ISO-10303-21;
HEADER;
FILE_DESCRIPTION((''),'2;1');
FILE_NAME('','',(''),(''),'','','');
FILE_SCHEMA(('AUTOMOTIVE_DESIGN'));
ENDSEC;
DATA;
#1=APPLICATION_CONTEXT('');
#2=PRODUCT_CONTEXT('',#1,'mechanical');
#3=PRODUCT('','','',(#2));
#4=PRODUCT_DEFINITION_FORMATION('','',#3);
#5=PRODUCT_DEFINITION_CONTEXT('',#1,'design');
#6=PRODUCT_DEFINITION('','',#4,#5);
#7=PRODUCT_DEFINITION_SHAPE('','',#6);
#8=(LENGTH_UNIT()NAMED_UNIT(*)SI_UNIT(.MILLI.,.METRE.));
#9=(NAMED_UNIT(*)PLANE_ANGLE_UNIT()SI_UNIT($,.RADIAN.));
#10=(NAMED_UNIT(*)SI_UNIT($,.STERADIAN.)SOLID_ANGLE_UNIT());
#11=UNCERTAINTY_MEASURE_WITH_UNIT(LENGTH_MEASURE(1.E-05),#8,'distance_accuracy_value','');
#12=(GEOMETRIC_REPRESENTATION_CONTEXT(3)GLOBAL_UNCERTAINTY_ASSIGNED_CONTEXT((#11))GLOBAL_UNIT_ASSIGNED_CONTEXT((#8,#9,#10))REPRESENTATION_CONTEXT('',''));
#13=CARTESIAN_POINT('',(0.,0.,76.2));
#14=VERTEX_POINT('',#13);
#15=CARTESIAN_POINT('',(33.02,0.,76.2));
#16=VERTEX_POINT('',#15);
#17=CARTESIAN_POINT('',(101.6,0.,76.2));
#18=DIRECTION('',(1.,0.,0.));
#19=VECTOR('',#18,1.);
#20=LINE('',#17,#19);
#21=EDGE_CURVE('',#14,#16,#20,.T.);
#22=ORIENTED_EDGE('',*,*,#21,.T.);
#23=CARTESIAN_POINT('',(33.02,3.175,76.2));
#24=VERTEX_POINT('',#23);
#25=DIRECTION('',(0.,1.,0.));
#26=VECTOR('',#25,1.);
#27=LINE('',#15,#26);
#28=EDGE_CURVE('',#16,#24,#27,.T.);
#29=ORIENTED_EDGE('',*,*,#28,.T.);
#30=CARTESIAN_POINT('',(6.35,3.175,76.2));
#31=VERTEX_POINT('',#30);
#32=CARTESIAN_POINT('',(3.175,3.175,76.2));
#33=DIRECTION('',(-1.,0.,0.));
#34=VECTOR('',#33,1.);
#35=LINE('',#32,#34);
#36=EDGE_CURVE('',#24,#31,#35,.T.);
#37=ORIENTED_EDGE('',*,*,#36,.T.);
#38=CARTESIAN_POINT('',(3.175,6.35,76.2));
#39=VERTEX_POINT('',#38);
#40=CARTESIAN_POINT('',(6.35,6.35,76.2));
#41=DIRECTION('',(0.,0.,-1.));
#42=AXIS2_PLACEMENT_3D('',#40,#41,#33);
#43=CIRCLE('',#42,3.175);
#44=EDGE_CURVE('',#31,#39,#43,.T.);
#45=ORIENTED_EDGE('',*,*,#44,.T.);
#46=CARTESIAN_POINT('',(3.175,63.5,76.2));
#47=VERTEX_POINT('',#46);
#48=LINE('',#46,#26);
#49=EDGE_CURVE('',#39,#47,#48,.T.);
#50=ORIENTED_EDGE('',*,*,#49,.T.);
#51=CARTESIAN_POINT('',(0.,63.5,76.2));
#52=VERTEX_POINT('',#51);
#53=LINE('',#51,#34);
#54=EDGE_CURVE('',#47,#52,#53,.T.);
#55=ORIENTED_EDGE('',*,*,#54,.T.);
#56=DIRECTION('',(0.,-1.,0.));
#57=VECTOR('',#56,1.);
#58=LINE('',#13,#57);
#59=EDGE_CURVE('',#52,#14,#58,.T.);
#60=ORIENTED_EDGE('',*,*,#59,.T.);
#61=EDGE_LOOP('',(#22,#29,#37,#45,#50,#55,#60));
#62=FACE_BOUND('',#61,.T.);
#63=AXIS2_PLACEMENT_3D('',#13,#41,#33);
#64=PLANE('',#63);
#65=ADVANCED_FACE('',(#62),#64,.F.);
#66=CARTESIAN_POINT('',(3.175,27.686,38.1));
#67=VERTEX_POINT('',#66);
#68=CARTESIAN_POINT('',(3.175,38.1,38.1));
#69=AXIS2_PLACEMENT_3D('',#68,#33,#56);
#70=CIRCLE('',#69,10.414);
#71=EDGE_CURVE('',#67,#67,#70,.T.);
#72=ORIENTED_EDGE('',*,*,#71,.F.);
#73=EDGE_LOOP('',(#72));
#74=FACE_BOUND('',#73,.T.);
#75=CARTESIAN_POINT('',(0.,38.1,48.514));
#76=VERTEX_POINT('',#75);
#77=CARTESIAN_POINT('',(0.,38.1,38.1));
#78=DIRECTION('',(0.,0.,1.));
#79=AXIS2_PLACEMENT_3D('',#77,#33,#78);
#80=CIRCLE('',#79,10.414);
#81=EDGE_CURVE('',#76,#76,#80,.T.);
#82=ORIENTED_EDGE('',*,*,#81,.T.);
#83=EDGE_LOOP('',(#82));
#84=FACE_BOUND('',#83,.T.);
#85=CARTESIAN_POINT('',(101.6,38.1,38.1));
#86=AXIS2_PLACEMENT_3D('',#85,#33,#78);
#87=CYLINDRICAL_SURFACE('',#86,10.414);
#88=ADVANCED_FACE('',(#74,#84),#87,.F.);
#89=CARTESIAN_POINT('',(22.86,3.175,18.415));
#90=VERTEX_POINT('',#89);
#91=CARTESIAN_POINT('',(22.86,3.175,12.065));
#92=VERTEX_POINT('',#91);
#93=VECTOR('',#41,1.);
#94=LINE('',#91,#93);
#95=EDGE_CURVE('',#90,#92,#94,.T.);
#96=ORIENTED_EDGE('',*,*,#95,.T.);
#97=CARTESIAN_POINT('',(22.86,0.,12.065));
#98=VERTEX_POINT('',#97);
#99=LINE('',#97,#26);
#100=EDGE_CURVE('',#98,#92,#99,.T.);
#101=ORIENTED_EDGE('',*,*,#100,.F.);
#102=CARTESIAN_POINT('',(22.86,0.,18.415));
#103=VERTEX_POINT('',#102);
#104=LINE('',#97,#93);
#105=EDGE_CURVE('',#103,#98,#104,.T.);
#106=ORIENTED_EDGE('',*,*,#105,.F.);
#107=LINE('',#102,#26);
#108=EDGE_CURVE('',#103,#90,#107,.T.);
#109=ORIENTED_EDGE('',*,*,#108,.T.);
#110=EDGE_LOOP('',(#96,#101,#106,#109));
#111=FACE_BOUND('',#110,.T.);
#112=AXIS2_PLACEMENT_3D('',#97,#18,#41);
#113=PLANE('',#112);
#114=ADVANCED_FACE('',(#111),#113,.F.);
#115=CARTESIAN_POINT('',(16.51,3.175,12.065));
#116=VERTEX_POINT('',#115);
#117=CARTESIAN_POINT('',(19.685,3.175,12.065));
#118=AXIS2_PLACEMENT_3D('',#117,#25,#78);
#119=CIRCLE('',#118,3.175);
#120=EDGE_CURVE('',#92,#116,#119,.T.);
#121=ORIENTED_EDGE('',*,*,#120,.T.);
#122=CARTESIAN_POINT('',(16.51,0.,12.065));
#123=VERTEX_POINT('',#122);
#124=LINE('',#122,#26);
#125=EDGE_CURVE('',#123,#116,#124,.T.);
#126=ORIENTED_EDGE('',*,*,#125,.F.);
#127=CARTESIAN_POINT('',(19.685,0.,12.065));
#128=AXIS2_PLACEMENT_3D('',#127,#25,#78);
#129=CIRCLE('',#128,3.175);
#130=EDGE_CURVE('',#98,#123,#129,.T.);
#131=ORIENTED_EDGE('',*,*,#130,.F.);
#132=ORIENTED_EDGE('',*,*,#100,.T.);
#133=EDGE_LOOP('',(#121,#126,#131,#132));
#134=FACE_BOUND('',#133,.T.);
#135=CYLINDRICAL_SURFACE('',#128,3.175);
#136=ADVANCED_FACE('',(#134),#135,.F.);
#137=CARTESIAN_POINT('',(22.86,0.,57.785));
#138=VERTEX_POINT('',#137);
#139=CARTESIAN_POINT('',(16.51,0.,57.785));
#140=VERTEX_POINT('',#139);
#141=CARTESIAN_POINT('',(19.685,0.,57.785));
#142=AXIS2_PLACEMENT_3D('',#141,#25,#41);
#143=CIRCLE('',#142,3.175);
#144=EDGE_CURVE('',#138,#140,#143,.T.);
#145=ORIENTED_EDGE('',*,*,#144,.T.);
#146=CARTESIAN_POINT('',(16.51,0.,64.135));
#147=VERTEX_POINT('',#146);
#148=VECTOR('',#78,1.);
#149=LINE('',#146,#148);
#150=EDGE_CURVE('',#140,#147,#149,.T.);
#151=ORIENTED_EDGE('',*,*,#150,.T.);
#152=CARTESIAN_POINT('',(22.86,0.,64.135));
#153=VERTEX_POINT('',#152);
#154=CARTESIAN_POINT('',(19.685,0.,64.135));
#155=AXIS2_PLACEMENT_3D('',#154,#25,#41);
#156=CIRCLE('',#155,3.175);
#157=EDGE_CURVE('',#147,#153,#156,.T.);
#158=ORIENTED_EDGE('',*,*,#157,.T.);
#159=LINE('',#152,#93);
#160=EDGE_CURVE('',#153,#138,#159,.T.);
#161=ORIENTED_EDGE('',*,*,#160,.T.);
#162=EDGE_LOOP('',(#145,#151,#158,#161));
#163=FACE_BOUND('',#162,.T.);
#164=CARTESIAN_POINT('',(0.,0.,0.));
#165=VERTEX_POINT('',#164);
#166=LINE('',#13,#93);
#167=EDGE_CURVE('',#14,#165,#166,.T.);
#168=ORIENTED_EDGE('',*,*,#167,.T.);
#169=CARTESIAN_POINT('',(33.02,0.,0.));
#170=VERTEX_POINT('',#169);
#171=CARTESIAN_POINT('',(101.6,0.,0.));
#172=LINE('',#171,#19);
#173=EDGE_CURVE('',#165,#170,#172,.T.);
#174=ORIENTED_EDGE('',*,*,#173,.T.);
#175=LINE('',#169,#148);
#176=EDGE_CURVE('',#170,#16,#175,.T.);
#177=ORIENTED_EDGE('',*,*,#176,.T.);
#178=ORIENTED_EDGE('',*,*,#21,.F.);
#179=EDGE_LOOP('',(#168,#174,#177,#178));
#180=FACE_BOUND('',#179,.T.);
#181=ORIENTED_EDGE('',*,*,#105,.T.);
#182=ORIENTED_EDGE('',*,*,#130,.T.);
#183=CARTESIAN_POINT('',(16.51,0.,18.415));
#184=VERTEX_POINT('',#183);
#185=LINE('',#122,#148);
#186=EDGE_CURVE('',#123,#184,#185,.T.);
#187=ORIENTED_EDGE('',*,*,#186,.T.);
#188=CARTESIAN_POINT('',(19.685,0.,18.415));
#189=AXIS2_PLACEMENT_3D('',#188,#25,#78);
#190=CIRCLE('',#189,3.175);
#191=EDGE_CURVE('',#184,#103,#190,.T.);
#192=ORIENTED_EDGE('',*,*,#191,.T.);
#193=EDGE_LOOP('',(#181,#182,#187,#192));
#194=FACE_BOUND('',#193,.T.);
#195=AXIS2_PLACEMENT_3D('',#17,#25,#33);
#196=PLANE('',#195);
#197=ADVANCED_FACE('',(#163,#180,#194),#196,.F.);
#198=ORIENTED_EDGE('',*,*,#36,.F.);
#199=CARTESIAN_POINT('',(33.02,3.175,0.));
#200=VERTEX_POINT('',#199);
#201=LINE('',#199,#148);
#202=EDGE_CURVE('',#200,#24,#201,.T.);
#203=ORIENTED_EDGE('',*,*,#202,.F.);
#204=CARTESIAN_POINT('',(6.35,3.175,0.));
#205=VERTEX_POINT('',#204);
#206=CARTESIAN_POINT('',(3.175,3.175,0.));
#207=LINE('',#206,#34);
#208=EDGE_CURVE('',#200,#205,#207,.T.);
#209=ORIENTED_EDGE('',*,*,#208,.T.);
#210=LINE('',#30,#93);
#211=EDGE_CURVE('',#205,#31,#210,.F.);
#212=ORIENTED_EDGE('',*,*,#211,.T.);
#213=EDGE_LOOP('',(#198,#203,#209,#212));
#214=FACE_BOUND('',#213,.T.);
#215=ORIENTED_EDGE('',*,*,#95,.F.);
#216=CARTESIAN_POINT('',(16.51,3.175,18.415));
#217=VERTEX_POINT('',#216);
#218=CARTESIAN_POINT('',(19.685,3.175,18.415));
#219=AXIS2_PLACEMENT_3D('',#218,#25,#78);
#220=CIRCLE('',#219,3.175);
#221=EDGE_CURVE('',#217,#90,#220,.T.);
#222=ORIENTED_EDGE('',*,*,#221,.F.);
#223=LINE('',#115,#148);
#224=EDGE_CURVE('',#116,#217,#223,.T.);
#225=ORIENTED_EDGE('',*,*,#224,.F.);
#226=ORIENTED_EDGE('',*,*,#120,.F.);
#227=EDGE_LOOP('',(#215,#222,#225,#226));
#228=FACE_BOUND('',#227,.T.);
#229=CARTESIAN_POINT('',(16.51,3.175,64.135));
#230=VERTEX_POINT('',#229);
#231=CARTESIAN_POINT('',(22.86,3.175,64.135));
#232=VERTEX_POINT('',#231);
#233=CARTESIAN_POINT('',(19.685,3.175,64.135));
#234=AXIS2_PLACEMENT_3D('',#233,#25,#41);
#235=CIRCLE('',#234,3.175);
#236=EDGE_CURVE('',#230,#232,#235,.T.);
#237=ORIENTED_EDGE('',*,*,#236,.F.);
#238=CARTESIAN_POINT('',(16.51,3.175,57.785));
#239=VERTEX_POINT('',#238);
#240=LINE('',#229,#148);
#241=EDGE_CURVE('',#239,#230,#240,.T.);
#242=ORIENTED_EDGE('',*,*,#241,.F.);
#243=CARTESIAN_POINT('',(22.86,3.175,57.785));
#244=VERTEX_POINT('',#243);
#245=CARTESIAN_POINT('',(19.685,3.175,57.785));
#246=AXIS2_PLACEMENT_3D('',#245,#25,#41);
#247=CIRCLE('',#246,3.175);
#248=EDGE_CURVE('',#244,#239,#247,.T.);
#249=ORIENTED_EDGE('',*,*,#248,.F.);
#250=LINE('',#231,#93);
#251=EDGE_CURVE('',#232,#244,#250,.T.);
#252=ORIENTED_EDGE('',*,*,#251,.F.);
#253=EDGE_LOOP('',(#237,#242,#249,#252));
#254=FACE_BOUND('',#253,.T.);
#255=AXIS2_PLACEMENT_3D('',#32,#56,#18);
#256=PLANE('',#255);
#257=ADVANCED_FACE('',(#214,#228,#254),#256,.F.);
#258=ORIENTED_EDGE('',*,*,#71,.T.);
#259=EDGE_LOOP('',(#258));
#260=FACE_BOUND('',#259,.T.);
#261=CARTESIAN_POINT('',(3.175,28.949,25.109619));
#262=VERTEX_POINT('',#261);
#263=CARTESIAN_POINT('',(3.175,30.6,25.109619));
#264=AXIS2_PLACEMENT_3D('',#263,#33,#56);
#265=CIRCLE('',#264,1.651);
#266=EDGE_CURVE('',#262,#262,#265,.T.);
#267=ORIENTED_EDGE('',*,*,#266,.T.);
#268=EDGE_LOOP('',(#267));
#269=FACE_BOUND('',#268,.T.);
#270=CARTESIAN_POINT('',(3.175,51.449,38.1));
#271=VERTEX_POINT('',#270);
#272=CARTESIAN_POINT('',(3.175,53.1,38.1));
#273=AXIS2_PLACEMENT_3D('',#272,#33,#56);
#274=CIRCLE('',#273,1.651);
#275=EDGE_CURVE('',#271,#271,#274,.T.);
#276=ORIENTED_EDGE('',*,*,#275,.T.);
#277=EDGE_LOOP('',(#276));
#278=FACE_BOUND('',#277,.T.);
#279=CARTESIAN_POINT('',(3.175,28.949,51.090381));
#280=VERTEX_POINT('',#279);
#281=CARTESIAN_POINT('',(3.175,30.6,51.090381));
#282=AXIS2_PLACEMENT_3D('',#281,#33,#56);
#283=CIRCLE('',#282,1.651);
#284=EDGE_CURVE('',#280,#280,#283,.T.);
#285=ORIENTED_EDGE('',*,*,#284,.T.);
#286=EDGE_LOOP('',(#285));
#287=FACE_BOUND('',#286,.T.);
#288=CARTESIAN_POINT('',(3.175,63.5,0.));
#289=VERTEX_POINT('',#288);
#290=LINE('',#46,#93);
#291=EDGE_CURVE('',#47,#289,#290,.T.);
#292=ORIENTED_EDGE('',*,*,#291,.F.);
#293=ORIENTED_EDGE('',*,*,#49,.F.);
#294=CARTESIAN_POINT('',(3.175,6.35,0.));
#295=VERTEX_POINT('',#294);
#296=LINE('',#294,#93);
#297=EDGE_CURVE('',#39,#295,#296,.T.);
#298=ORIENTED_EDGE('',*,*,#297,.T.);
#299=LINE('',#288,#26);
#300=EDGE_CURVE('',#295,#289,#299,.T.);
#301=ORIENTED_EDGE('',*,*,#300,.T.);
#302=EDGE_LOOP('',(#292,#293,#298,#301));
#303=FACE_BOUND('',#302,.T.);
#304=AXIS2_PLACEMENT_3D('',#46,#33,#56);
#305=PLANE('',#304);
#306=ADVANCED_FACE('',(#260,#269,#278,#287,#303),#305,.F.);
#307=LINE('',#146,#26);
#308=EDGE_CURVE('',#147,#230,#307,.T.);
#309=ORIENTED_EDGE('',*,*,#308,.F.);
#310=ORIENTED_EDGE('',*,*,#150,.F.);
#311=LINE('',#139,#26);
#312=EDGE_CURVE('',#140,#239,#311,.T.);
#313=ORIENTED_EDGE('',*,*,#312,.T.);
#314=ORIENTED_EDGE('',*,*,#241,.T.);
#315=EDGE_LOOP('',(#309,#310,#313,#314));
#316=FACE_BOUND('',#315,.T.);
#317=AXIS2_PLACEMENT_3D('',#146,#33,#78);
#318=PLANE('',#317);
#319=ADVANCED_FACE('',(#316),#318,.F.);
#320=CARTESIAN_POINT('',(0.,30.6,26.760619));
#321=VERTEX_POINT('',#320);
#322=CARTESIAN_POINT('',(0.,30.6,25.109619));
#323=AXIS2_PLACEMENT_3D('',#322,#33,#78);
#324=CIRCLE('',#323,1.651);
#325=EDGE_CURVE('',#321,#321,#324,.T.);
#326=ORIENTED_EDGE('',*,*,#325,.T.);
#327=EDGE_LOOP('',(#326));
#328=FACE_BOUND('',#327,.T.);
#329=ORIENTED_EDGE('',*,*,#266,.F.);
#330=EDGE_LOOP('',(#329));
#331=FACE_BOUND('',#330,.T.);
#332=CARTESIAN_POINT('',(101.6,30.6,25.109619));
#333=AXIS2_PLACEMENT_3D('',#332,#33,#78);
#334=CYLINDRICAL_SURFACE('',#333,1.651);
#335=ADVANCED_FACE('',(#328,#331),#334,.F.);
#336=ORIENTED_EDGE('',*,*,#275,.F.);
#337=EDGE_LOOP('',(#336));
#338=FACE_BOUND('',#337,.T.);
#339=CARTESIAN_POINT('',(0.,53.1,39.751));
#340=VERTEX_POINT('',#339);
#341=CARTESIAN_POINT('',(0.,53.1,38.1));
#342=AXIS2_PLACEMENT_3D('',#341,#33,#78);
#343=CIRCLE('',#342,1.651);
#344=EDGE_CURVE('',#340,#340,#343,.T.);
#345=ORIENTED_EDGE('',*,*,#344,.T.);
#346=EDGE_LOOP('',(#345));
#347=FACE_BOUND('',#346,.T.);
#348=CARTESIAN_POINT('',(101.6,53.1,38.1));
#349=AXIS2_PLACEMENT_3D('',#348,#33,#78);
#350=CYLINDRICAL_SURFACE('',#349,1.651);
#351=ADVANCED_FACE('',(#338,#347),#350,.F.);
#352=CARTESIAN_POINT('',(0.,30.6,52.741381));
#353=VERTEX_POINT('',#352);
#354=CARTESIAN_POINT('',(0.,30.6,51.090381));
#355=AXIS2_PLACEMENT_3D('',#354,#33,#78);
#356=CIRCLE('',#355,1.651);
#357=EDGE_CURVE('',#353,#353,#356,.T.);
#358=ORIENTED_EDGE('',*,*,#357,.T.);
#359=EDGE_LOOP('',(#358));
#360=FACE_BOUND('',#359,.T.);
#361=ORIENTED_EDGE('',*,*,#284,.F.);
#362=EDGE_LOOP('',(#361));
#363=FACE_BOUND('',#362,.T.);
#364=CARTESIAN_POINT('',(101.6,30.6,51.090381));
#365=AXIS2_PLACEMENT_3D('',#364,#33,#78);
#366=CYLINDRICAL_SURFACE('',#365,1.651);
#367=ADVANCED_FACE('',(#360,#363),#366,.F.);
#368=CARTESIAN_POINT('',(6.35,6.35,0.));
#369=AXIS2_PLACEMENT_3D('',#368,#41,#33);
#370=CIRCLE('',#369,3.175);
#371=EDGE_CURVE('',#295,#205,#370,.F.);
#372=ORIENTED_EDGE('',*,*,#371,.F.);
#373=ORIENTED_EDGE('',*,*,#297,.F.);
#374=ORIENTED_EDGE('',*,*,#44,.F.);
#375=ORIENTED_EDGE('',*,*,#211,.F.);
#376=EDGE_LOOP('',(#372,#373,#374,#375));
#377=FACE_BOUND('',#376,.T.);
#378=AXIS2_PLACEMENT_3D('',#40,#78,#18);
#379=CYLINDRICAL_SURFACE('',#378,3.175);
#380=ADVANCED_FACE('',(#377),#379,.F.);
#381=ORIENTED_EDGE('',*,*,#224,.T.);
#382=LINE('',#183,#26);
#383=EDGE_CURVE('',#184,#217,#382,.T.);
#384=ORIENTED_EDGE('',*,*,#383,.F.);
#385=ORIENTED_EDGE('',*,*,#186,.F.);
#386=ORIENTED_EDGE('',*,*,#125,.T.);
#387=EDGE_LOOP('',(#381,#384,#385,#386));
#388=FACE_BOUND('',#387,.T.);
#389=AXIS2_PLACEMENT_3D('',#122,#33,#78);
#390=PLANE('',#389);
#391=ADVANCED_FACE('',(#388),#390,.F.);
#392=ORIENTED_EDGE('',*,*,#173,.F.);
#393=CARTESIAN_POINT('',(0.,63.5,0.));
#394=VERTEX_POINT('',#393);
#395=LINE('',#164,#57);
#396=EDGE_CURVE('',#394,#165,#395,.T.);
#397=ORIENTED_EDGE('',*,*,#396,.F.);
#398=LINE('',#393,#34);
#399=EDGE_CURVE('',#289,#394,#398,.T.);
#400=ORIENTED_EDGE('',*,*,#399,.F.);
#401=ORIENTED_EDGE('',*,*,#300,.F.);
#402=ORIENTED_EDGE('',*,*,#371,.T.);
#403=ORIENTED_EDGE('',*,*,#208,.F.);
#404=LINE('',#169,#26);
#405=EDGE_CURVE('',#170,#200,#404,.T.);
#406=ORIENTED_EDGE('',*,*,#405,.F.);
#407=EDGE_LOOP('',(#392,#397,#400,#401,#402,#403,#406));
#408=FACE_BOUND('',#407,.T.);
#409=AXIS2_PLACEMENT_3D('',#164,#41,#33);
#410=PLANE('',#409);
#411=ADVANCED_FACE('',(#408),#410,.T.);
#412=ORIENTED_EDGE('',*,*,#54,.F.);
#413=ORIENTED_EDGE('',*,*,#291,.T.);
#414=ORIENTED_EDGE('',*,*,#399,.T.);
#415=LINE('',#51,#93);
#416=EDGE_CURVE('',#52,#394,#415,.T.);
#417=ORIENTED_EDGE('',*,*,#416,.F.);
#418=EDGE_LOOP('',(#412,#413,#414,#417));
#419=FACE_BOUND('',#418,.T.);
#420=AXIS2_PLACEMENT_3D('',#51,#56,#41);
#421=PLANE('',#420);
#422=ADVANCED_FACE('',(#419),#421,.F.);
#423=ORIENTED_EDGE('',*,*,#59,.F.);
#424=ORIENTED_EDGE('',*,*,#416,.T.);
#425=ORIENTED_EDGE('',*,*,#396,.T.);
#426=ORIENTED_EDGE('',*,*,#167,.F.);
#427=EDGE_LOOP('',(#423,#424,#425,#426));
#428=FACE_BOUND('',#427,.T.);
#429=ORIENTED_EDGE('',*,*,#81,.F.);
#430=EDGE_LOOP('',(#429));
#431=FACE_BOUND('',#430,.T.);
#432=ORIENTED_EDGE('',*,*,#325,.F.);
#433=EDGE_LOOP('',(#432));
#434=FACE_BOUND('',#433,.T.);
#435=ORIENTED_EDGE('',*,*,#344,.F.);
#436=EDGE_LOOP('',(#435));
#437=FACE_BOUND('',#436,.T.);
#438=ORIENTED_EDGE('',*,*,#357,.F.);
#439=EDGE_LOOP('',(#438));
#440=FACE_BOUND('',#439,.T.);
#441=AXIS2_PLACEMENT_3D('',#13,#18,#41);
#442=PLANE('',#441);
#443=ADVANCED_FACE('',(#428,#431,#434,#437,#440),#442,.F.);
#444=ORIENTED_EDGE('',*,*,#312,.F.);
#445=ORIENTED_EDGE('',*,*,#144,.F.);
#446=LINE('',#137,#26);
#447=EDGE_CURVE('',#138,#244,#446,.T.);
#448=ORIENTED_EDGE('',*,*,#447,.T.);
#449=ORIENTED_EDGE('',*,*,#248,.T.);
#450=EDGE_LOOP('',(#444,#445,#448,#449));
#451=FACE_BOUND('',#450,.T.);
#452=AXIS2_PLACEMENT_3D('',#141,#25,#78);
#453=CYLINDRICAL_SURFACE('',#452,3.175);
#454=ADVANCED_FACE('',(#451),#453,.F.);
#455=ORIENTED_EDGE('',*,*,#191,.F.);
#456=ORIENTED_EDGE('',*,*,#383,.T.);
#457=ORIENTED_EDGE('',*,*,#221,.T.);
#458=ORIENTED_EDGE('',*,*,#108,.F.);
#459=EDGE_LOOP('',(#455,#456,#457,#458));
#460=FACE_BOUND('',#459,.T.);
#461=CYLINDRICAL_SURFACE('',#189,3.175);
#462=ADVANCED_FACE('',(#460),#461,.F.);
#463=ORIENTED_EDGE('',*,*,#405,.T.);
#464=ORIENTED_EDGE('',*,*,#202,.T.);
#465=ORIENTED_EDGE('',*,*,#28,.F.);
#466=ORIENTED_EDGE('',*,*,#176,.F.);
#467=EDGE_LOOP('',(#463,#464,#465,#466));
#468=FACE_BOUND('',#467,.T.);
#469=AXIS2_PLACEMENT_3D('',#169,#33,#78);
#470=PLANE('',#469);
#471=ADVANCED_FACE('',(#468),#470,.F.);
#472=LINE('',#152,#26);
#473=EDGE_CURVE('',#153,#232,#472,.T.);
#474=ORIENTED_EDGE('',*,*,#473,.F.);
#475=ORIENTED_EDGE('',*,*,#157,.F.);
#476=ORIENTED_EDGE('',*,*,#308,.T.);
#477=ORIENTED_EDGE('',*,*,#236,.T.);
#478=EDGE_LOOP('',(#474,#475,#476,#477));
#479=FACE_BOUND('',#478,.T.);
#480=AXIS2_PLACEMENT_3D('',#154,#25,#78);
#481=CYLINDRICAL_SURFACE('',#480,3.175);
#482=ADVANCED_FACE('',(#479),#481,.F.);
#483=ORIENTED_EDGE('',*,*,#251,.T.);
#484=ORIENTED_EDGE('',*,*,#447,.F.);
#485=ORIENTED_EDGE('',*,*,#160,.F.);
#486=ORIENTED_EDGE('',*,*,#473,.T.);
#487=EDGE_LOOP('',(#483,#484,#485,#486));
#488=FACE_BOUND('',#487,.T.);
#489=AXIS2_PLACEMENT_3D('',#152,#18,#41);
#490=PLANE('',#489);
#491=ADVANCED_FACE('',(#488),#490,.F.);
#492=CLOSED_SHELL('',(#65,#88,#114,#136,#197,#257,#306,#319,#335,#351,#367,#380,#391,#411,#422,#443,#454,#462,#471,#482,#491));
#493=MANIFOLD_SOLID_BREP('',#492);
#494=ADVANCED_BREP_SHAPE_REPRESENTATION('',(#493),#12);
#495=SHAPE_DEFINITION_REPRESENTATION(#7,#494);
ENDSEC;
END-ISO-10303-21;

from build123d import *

# Parameters (mm, degrees)
BOSS_EXTRUDE1_DEPTH = 76.2
FILLET1_R           = 3.175
SKETCH2_R           = 10.414
SKETCH2_R_2         = 1.651
CUT_EXTRUDE2_DEPTH  = 142.990316571
SKETCH4_W           = 68.58
SKETCH4_H           = 76.2
CUT_EXTRUDE3_DEPTH  = 141.599095392
CUT_EXTRUDE4_DEPTH  = 103.644366748


with BuildPart() as part:
    # Sketch1 → Boss-Extrude1 (new body)
    with BuildSketch(Plane.XY):
        Polygon((0, 0), (0, 63.5), (3.175, 63.5), (3.175, 3.175), (101.6, 3.175), (101.6, 0), align=None)
    extrude(amount=BOSS_EXTRUDE1_DEPTH)

    # Fillet1
    fillet1_edges = [part.edges().sort_by_distance(p)[0] for p in [
        (3.175, 3.175, 38.1),
    ]]
    fillet(fillet1_edges, radius=FILLET1_R)

    # Sketch2 → Cut-Extrude2 (cut, through all)
    with BuildSketch(Plane.ZY):
        with Locations((38.1, 38.1)):
            Circle(SKETCH2_R)
        with Locations((38.1, 53.1)):
            Circle(SKETCH2_R_2)
        with Locations((25.109618943, 30.6)):
            Circle(SKETCH2_R_2)
        with Locations((51.090381057, 30.6)):
            Circle(SKETCH2_R_2)
    extrude(amount=-CUT_EXTRUDE2_DEPTH, mode=Mode.SUBTRACT)

    # Sketch4 → Cut-Extrude3 (cut, through all)
    with BuildSketch(Plane(origin=(0, 3.175, 0), x_dir=(1, 0, 0), z_dir=(0, 1, 0))):
        with Locations((67.31, -38.1)):
            Rectangle(SKETCH4_W, SKETCH4_H)
    extrude(amount=-CUT_EXTRUDE3_DEPTH, mode=Mode.SUBTRACT)

    # Sketch5 → Cut-Extrude4 (cut, through all)
    with BuildSketch(Plane(origin=(0, 3.175, 0), x_dir=(1, 0, 0), z_dir=(0, 1, 0))):
        with BuildLine():
            Line((22.86, -12.065), (22.86, -18.415))
            ThreePointArc((22.86, -18.415), (19.685, -21.59), (16.51, -18.415))
            Line((16.51, -18.415), (16.51, -12.065))
            ThreePointArc((16.51, -12.065), (19.685, -8.89), (22.86, -12.065))
        make_face()
        with BuildLine():
            Line((22.86, -64.135), (22.86, -57.785))
            ThreePointArc((22.86, -57.785), (19.685, -54.61), (16.51, -57.785))
            Line((16.51, -57.785), (16.51, -64.135))
            ThreePointArc((16.51, -64.135), (19.685, -67.31), (22.86, -64.135))
        make_face()
    extrude(amount=-CUT_EXTRUDE4_DEPTH, mode=Mode.SUBTRACT)


solid = part.part
